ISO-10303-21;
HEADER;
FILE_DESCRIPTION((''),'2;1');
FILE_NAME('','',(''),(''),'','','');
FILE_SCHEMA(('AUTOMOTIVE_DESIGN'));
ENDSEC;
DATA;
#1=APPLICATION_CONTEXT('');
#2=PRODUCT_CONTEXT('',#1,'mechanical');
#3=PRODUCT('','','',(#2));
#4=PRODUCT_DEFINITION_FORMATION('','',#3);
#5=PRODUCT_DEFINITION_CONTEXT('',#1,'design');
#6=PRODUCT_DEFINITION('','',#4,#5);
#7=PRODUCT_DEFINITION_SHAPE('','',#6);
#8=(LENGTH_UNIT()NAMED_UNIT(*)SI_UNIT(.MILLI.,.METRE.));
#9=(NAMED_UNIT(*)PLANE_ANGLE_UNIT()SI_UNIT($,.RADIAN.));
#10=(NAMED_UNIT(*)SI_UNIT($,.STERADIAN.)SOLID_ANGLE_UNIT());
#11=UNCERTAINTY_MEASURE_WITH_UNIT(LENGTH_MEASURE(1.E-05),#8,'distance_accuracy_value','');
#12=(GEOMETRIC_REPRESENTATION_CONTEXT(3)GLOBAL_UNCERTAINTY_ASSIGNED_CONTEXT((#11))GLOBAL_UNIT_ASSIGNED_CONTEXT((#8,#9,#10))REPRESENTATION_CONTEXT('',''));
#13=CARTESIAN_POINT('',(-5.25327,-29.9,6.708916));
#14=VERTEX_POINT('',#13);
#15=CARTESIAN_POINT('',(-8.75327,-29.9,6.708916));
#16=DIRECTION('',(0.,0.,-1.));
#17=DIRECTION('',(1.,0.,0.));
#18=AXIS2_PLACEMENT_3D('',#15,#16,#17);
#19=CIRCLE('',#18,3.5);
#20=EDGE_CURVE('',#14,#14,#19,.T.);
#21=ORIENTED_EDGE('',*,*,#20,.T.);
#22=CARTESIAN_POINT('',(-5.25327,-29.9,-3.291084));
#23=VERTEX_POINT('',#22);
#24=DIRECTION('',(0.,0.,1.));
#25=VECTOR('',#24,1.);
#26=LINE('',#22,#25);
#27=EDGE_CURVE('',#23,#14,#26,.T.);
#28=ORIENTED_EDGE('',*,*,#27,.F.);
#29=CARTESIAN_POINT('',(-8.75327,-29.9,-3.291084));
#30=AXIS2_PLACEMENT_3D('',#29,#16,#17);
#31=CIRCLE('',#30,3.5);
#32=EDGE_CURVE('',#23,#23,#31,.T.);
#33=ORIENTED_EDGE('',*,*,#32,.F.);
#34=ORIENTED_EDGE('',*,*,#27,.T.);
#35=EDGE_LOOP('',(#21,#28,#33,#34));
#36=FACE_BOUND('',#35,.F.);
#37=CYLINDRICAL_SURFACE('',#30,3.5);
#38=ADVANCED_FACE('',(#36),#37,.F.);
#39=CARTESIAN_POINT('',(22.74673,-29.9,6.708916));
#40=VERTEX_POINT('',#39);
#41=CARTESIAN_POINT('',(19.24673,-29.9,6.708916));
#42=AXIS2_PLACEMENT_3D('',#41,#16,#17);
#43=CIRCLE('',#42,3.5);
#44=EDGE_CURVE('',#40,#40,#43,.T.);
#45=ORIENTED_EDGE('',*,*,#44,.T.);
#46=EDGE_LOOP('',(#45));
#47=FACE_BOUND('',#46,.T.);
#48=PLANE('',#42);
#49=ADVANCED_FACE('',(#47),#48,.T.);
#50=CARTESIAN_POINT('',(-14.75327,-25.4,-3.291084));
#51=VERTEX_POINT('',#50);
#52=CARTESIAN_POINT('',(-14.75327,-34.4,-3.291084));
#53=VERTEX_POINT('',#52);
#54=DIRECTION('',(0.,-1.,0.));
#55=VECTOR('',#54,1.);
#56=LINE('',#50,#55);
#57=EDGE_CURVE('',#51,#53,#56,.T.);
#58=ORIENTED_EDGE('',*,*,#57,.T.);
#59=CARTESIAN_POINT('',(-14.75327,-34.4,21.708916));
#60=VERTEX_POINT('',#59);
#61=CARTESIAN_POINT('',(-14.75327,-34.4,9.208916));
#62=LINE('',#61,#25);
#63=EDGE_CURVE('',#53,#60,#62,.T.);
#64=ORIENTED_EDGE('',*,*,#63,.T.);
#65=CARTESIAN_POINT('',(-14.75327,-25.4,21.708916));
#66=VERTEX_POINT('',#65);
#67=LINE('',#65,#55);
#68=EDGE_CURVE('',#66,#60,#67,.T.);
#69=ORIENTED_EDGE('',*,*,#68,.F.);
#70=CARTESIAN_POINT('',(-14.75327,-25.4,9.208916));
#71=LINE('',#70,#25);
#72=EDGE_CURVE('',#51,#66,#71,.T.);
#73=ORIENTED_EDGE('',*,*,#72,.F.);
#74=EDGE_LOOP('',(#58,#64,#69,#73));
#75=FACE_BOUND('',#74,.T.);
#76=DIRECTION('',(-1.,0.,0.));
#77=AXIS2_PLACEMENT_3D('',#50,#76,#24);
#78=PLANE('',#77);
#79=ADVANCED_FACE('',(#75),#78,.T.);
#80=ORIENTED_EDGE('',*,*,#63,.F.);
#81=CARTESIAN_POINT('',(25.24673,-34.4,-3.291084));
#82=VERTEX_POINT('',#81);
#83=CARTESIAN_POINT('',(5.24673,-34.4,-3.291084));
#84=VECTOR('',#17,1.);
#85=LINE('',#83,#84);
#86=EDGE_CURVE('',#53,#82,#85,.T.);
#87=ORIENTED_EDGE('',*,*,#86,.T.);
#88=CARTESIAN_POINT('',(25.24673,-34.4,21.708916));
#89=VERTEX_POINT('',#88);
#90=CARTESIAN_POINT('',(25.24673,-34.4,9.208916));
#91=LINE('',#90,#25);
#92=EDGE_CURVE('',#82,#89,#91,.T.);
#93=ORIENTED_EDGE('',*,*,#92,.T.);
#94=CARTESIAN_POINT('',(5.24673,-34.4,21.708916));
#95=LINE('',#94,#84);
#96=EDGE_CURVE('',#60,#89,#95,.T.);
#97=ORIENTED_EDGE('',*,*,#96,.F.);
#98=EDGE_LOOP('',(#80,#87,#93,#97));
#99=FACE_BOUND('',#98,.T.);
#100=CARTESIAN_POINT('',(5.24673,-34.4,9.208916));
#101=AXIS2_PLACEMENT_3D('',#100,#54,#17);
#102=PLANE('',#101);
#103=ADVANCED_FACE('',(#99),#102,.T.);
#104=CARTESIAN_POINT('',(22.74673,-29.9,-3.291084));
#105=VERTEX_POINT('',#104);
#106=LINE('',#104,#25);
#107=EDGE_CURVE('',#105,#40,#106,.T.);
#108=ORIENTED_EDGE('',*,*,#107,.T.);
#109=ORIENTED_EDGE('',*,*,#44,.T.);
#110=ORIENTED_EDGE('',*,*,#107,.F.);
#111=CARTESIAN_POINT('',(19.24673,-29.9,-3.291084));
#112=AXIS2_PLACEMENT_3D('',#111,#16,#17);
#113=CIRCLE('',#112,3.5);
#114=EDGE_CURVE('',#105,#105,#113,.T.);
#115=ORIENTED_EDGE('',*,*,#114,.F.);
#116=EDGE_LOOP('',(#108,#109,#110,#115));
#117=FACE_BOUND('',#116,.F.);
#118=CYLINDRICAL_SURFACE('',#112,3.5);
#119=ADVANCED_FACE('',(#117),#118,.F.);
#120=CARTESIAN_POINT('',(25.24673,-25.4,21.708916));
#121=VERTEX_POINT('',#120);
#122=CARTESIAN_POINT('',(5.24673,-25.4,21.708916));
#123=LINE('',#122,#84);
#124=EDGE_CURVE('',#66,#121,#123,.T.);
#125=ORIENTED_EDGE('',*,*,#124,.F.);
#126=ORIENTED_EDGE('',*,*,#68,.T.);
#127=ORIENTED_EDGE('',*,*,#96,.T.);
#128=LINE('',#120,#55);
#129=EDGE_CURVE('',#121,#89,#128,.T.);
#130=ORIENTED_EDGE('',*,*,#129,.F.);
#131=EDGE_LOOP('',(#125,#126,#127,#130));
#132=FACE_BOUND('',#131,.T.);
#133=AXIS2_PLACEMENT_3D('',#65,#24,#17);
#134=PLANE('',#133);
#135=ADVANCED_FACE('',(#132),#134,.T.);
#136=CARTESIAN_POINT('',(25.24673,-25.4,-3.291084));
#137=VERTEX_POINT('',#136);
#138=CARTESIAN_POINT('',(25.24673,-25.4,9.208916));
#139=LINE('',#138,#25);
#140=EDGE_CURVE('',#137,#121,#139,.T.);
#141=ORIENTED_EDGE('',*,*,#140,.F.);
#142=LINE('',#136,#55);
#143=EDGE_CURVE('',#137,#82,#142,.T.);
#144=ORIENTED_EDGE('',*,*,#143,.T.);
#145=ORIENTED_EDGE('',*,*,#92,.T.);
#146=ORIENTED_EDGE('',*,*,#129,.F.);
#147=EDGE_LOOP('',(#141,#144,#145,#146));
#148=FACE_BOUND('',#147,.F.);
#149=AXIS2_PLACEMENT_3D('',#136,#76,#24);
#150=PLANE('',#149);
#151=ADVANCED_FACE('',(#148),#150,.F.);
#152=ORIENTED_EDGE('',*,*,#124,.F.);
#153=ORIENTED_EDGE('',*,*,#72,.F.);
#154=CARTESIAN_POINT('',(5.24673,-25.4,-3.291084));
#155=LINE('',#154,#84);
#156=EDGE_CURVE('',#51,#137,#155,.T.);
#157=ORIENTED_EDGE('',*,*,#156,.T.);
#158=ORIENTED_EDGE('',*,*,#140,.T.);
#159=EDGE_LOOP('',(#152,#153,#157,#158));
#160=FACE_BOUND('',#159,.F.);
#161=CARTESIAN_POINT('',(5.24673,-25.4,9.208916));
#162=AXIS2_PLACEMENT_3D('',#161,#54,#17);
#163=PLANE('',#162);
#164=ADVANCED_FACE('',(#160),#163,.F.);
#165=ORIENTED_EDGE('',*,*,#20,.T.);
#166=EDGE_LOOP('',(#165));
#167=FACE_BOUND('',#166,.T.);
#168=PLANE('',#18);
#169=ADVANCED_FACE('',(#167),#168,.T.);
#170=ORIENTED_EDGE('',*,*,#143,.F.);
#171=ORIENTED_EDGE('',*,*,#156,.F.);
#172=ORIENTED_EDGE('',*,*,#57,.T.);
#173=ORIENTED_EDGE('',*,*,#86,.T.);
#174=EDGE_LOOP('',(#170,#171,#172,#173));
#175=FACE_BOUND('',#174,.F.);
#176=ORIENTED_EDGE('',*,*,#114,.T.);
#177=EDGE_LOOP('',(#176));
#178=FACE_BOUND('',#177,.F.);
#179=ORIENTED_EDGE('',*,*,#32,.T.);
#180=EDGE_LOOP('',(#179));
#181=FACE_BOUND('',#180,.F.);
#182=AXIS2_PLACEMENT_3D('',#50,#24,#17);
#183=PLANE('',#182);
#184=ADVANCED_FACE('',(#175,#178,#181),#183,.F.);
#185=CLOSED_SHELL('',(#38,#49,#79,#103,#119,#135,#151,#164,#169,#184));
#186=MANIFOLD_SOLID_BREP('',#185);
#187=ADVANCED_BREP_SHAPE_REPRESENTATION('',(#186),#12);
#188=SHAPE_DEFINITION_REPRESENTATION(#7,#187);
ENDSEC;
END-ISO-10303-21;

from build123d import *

# Parameters (mm, degrees)
F1_W     = 40
F1_H     = 25
F2_DEPTH = 9
F3_R     = 3.5
F4_DEPTH = 10


with BuildPart() as f2:
    # F1 (on offset) → F2 (new body)
    with BuildSketch(Plane.XZ.offset(25.4)):
        with Locations((5.24673, 9.208916)):
            Rectangle(F1_W, F1_H)
    extrude(amount=F2_DEPTH)

    # F3 (on face) → F4 (cut)
    with BuildSketch(Plane(origin=(0, 0, -3.291084), x_dir=(1, 0, 0), z_dir=(0, 0, -1))):
        with Locations((19.24673, 29.9)):
            Circle(F3_R)
        with Locations((-8.75327, 29.9)):
            Circle(F3_R)
    extrude(amount=-F4_DEPTH, mode=Mode.SUBTRACT)


solid = f2.part
